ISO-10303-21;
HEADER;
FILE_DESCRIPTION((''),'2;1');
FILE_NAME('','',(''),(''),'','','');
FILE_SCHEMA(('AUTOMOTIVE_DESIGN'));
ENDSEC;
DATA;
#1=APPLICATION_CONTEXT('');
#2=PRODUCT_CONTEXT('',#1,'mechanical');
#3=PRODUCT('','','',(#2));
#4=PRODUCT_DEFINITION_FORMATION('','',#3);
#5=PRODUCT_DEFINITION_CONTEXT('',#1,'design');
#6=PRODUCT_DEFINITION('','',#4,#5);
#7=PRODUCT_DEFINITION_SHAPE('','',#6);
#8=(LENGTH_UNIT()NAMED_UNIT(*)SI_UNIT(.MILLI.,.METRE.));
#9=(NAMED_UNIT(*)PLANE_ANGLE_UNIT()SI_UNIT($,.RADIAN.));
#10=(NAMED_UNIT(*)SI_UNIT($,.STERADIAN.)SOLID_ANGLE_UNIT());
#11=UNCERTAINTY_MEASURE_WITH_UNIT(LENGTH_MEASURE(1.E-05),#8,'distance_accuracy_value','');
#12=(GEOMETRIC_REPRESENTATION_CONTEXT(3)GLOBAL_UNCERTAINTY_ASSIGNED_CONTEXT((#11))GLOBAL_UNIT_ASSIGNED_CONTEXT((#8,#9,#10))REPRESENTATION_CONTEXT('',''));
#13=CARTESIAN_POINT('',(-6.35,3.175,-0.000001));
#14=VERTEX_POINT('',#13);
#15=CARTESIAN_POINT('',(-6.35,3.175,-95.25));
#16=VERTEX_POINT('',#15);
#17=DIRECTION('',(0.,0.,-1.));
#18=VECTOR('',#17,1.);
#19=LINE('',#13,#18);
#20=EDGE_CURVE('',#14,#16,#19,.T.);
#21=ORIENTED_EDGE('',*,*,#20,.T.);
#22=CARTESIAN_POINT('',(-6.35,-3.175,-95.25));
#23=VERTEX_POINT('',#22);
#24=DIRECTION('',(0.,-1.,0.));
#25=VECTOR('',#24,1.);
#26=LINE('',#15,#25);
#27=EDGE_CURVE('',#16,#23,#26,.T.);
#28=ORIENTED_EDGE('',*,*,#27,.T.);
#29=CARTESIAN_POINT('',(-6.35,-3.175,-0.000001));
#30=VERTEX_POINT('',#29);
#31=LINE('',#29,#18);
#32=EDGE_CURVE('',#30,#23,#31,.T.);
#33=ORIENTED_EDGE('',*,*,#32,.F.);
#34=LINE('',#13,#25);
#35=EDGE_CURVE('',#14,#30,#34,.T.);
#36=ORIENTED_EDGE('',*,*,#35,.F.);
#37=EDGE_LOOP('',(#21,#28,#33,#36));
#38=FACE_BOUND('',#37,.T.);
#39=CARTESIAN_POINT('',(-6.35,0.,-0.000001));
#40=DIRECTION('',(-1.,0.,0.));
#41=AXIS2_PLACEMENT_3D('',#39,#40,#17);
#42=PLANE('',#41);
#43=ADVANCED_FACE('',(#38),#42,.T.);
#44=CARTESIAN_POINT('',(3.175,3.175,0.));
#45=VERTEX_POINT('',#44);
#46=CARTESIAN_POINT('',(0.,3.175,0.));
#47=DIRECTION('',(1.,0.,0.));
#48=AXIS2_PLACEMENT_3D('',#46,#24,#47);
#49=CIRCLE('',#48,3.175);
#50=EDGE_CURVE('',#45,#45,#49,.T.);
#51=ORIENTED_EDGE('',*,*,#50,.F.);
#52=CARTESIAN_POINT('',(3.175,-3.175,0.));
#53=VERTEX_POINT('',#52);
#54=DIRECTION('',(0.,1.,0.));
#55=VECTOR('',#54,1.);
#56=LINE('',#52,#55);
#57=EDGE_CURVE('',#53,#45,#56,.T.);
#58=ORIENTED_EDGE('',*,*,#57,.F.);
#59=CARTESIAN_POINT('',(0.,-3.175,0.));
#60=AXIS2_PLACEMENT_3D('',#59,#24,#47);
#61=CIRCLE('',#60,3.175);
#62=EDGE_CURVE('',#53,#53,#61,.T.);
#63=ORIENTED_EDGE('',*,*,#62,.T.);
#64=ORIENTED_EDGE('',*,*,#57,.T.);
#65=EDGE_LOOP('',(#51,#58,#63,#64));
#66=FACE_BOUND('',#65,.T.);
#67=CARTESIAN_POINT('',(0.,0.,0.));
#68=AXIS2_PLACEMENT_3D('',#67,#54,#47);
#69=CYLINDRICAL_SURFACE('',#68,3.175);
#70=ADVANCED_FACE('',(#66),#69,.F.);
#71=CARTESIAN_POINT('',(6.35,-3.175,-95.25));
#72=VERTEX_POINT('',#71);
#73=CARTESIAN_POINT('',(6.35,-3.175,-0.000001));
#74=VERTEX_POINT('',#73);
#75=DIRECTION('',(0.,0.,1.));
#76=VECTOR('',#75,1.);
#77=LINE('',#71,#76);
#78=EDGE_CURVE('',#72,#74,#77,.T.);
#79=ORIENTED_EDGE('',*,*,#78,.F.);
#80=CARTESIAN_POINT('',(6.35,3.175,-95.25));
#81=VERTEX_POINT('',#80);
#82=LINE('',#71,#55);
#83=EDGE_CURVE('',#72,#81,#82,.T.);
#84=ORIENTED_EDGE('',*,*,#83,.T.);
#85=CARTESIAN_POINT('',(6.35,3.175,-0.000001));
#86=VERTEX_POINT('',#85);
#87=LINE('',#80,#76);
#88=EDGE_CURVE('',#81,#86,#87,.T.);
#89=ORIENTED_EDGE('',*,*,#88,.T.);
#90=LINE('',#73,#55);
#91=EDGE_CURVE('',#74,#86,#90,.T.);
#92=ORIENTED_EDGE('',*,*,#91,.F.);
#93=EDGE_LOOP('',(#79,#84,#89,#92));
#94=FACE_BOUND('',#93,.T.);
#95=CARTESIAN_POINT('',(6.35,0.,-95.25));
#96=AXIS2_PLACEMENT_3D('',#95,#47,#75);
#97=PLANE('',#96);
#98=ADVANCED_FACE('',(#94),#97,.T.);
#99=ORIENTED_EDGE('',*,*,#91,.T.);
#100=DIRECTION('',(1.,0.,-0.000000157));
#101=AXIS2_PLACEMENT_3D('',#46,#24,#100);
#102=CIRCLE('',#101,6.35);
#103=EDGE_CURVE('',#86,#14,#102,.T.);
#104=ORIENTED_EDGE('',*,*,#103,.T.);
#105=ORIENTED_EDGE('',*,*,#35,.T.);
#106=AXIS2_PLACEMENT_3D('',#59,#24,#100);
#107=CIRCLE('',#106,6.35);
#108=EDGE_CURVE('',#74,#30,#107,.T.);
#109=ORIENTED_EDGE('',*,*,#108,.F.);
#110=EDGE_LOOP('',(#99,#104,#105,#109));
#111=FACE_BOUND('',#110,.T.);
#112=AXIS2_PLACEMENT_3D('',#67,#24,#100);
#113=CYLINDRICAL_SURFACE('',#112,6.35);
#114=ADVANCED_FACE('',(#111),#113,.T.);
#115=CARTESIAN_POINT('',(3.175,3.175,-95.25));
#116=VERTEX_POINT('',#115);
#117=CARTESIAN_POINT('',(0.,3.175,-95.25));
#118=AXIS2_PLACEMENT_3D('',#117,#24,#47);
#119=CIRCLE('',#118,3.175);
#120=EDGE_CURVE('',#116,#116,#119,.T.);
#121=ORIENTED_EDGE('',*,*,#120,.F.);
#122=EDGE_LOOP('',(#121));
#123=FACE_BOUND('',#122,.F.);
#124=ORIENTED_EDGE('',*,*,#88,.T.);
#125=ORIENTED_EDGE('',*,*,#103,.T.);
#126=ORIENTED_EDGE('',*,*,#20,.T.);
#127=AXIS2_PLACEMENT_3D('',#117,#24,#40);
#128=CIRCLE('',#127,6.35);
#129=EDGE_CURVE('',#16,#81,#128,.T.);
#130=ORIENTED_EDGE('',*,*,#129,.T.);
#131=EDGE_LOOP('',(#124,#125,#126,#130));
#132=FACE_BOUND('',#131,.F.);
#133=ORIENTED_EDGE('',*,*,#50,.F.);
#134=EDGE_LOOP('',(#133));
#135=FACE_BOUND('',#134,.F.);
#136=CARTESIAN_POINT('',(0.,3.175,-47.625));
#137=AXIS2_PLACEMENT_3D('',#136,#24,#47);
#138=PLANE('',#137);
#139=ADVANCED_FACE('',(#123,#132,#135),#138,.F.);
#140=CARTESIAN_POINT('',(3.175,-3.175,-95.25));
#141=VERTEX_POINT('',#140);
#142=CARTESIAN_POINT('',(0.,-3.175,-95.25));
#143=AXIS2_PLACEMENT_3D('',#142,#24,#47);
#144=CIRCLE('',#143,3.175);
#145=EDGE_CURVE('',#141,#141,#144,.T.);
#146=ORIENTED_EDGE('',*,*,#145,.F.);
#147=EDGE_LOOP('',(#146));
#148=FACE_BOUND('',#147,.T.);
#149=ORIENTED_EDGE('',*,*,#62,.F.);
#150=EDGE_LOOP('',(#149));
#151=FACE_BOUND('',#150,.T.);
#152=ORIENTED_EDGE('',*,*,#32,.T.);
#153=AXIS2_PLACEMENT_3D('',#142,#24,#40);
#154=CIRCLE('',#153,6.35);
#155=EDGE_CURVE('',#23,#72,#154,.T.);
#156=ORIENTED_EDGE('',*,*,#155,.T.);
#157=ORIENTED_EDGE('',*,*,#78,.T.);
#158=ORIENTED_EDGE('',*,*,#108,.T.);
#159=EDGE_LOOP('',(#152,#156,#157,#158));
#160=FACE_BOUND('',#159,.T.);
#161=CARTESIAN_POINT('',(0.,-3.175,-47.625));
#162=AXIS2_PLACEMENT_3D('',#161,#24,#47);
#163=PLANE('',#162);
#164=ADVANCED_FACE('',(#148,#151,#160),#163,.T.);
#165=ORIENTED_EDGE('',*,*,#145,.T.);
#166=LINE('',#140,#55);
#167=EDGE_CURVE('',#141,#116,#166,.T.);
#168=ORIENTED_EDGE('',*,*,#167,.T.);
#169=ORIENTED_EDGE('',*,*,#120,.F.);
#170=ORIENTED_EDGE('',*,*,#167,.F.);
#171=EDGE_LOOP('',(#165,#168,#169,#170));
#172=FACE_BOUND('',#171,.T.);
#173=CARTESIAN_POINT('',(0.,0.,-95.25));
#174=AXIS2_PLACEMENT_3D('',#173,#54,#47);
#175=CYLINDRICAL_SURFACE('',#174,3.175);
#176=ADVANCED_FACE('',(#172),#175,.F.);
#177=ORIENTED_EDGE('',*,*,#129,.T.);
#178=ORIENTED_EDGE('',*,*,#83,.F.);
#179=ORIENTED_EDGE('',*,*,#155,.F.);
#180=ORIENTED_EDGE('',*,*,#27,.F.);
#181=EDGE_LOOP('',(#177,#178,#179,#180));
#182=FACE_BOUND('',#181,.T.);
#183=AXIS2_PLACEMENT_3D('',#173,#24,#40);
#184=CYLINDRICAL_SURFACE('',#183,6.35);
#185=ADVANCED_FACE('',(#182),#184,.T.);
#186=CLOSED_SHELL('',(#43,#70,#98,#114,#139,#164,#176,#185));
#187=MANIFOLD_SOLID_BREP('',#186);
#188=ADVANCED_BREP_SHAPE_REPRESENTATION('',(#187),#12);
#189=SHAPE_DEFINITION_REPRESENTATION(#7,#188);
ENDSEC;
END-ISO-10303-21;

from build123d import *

# Parameters (mm, degrees)
F0_R     = 3.175
F1_DEPTH = 3.175


with BuildPart() as f1:
    # F0 (on Front) → F1 (new body, symmetric)
    with BuildSketch(Plane.XZ):
        with BuildLine():
            ThreePointArc((6.35, -1e-06), (0, 6.35), (-6.35, -1e-06))
            Line((-6.35, -1e-06), (-6.35, -95.25))
            ThreePointArc((-6.35, -95.25), (0, -101.6), (6.35, -95.25))
            Line((6.35, -95.25), (6.35, -1e-06))
        make_face()
        with Locations((0, -95.25)):
            Circle(F0_R, mode=Mode.SUBTRACT)
        Circle(F0_R, mode=Mode.SUBTRACT)
    extrude(amount=F1_DEPTH, both=True)


solid = f1.part
